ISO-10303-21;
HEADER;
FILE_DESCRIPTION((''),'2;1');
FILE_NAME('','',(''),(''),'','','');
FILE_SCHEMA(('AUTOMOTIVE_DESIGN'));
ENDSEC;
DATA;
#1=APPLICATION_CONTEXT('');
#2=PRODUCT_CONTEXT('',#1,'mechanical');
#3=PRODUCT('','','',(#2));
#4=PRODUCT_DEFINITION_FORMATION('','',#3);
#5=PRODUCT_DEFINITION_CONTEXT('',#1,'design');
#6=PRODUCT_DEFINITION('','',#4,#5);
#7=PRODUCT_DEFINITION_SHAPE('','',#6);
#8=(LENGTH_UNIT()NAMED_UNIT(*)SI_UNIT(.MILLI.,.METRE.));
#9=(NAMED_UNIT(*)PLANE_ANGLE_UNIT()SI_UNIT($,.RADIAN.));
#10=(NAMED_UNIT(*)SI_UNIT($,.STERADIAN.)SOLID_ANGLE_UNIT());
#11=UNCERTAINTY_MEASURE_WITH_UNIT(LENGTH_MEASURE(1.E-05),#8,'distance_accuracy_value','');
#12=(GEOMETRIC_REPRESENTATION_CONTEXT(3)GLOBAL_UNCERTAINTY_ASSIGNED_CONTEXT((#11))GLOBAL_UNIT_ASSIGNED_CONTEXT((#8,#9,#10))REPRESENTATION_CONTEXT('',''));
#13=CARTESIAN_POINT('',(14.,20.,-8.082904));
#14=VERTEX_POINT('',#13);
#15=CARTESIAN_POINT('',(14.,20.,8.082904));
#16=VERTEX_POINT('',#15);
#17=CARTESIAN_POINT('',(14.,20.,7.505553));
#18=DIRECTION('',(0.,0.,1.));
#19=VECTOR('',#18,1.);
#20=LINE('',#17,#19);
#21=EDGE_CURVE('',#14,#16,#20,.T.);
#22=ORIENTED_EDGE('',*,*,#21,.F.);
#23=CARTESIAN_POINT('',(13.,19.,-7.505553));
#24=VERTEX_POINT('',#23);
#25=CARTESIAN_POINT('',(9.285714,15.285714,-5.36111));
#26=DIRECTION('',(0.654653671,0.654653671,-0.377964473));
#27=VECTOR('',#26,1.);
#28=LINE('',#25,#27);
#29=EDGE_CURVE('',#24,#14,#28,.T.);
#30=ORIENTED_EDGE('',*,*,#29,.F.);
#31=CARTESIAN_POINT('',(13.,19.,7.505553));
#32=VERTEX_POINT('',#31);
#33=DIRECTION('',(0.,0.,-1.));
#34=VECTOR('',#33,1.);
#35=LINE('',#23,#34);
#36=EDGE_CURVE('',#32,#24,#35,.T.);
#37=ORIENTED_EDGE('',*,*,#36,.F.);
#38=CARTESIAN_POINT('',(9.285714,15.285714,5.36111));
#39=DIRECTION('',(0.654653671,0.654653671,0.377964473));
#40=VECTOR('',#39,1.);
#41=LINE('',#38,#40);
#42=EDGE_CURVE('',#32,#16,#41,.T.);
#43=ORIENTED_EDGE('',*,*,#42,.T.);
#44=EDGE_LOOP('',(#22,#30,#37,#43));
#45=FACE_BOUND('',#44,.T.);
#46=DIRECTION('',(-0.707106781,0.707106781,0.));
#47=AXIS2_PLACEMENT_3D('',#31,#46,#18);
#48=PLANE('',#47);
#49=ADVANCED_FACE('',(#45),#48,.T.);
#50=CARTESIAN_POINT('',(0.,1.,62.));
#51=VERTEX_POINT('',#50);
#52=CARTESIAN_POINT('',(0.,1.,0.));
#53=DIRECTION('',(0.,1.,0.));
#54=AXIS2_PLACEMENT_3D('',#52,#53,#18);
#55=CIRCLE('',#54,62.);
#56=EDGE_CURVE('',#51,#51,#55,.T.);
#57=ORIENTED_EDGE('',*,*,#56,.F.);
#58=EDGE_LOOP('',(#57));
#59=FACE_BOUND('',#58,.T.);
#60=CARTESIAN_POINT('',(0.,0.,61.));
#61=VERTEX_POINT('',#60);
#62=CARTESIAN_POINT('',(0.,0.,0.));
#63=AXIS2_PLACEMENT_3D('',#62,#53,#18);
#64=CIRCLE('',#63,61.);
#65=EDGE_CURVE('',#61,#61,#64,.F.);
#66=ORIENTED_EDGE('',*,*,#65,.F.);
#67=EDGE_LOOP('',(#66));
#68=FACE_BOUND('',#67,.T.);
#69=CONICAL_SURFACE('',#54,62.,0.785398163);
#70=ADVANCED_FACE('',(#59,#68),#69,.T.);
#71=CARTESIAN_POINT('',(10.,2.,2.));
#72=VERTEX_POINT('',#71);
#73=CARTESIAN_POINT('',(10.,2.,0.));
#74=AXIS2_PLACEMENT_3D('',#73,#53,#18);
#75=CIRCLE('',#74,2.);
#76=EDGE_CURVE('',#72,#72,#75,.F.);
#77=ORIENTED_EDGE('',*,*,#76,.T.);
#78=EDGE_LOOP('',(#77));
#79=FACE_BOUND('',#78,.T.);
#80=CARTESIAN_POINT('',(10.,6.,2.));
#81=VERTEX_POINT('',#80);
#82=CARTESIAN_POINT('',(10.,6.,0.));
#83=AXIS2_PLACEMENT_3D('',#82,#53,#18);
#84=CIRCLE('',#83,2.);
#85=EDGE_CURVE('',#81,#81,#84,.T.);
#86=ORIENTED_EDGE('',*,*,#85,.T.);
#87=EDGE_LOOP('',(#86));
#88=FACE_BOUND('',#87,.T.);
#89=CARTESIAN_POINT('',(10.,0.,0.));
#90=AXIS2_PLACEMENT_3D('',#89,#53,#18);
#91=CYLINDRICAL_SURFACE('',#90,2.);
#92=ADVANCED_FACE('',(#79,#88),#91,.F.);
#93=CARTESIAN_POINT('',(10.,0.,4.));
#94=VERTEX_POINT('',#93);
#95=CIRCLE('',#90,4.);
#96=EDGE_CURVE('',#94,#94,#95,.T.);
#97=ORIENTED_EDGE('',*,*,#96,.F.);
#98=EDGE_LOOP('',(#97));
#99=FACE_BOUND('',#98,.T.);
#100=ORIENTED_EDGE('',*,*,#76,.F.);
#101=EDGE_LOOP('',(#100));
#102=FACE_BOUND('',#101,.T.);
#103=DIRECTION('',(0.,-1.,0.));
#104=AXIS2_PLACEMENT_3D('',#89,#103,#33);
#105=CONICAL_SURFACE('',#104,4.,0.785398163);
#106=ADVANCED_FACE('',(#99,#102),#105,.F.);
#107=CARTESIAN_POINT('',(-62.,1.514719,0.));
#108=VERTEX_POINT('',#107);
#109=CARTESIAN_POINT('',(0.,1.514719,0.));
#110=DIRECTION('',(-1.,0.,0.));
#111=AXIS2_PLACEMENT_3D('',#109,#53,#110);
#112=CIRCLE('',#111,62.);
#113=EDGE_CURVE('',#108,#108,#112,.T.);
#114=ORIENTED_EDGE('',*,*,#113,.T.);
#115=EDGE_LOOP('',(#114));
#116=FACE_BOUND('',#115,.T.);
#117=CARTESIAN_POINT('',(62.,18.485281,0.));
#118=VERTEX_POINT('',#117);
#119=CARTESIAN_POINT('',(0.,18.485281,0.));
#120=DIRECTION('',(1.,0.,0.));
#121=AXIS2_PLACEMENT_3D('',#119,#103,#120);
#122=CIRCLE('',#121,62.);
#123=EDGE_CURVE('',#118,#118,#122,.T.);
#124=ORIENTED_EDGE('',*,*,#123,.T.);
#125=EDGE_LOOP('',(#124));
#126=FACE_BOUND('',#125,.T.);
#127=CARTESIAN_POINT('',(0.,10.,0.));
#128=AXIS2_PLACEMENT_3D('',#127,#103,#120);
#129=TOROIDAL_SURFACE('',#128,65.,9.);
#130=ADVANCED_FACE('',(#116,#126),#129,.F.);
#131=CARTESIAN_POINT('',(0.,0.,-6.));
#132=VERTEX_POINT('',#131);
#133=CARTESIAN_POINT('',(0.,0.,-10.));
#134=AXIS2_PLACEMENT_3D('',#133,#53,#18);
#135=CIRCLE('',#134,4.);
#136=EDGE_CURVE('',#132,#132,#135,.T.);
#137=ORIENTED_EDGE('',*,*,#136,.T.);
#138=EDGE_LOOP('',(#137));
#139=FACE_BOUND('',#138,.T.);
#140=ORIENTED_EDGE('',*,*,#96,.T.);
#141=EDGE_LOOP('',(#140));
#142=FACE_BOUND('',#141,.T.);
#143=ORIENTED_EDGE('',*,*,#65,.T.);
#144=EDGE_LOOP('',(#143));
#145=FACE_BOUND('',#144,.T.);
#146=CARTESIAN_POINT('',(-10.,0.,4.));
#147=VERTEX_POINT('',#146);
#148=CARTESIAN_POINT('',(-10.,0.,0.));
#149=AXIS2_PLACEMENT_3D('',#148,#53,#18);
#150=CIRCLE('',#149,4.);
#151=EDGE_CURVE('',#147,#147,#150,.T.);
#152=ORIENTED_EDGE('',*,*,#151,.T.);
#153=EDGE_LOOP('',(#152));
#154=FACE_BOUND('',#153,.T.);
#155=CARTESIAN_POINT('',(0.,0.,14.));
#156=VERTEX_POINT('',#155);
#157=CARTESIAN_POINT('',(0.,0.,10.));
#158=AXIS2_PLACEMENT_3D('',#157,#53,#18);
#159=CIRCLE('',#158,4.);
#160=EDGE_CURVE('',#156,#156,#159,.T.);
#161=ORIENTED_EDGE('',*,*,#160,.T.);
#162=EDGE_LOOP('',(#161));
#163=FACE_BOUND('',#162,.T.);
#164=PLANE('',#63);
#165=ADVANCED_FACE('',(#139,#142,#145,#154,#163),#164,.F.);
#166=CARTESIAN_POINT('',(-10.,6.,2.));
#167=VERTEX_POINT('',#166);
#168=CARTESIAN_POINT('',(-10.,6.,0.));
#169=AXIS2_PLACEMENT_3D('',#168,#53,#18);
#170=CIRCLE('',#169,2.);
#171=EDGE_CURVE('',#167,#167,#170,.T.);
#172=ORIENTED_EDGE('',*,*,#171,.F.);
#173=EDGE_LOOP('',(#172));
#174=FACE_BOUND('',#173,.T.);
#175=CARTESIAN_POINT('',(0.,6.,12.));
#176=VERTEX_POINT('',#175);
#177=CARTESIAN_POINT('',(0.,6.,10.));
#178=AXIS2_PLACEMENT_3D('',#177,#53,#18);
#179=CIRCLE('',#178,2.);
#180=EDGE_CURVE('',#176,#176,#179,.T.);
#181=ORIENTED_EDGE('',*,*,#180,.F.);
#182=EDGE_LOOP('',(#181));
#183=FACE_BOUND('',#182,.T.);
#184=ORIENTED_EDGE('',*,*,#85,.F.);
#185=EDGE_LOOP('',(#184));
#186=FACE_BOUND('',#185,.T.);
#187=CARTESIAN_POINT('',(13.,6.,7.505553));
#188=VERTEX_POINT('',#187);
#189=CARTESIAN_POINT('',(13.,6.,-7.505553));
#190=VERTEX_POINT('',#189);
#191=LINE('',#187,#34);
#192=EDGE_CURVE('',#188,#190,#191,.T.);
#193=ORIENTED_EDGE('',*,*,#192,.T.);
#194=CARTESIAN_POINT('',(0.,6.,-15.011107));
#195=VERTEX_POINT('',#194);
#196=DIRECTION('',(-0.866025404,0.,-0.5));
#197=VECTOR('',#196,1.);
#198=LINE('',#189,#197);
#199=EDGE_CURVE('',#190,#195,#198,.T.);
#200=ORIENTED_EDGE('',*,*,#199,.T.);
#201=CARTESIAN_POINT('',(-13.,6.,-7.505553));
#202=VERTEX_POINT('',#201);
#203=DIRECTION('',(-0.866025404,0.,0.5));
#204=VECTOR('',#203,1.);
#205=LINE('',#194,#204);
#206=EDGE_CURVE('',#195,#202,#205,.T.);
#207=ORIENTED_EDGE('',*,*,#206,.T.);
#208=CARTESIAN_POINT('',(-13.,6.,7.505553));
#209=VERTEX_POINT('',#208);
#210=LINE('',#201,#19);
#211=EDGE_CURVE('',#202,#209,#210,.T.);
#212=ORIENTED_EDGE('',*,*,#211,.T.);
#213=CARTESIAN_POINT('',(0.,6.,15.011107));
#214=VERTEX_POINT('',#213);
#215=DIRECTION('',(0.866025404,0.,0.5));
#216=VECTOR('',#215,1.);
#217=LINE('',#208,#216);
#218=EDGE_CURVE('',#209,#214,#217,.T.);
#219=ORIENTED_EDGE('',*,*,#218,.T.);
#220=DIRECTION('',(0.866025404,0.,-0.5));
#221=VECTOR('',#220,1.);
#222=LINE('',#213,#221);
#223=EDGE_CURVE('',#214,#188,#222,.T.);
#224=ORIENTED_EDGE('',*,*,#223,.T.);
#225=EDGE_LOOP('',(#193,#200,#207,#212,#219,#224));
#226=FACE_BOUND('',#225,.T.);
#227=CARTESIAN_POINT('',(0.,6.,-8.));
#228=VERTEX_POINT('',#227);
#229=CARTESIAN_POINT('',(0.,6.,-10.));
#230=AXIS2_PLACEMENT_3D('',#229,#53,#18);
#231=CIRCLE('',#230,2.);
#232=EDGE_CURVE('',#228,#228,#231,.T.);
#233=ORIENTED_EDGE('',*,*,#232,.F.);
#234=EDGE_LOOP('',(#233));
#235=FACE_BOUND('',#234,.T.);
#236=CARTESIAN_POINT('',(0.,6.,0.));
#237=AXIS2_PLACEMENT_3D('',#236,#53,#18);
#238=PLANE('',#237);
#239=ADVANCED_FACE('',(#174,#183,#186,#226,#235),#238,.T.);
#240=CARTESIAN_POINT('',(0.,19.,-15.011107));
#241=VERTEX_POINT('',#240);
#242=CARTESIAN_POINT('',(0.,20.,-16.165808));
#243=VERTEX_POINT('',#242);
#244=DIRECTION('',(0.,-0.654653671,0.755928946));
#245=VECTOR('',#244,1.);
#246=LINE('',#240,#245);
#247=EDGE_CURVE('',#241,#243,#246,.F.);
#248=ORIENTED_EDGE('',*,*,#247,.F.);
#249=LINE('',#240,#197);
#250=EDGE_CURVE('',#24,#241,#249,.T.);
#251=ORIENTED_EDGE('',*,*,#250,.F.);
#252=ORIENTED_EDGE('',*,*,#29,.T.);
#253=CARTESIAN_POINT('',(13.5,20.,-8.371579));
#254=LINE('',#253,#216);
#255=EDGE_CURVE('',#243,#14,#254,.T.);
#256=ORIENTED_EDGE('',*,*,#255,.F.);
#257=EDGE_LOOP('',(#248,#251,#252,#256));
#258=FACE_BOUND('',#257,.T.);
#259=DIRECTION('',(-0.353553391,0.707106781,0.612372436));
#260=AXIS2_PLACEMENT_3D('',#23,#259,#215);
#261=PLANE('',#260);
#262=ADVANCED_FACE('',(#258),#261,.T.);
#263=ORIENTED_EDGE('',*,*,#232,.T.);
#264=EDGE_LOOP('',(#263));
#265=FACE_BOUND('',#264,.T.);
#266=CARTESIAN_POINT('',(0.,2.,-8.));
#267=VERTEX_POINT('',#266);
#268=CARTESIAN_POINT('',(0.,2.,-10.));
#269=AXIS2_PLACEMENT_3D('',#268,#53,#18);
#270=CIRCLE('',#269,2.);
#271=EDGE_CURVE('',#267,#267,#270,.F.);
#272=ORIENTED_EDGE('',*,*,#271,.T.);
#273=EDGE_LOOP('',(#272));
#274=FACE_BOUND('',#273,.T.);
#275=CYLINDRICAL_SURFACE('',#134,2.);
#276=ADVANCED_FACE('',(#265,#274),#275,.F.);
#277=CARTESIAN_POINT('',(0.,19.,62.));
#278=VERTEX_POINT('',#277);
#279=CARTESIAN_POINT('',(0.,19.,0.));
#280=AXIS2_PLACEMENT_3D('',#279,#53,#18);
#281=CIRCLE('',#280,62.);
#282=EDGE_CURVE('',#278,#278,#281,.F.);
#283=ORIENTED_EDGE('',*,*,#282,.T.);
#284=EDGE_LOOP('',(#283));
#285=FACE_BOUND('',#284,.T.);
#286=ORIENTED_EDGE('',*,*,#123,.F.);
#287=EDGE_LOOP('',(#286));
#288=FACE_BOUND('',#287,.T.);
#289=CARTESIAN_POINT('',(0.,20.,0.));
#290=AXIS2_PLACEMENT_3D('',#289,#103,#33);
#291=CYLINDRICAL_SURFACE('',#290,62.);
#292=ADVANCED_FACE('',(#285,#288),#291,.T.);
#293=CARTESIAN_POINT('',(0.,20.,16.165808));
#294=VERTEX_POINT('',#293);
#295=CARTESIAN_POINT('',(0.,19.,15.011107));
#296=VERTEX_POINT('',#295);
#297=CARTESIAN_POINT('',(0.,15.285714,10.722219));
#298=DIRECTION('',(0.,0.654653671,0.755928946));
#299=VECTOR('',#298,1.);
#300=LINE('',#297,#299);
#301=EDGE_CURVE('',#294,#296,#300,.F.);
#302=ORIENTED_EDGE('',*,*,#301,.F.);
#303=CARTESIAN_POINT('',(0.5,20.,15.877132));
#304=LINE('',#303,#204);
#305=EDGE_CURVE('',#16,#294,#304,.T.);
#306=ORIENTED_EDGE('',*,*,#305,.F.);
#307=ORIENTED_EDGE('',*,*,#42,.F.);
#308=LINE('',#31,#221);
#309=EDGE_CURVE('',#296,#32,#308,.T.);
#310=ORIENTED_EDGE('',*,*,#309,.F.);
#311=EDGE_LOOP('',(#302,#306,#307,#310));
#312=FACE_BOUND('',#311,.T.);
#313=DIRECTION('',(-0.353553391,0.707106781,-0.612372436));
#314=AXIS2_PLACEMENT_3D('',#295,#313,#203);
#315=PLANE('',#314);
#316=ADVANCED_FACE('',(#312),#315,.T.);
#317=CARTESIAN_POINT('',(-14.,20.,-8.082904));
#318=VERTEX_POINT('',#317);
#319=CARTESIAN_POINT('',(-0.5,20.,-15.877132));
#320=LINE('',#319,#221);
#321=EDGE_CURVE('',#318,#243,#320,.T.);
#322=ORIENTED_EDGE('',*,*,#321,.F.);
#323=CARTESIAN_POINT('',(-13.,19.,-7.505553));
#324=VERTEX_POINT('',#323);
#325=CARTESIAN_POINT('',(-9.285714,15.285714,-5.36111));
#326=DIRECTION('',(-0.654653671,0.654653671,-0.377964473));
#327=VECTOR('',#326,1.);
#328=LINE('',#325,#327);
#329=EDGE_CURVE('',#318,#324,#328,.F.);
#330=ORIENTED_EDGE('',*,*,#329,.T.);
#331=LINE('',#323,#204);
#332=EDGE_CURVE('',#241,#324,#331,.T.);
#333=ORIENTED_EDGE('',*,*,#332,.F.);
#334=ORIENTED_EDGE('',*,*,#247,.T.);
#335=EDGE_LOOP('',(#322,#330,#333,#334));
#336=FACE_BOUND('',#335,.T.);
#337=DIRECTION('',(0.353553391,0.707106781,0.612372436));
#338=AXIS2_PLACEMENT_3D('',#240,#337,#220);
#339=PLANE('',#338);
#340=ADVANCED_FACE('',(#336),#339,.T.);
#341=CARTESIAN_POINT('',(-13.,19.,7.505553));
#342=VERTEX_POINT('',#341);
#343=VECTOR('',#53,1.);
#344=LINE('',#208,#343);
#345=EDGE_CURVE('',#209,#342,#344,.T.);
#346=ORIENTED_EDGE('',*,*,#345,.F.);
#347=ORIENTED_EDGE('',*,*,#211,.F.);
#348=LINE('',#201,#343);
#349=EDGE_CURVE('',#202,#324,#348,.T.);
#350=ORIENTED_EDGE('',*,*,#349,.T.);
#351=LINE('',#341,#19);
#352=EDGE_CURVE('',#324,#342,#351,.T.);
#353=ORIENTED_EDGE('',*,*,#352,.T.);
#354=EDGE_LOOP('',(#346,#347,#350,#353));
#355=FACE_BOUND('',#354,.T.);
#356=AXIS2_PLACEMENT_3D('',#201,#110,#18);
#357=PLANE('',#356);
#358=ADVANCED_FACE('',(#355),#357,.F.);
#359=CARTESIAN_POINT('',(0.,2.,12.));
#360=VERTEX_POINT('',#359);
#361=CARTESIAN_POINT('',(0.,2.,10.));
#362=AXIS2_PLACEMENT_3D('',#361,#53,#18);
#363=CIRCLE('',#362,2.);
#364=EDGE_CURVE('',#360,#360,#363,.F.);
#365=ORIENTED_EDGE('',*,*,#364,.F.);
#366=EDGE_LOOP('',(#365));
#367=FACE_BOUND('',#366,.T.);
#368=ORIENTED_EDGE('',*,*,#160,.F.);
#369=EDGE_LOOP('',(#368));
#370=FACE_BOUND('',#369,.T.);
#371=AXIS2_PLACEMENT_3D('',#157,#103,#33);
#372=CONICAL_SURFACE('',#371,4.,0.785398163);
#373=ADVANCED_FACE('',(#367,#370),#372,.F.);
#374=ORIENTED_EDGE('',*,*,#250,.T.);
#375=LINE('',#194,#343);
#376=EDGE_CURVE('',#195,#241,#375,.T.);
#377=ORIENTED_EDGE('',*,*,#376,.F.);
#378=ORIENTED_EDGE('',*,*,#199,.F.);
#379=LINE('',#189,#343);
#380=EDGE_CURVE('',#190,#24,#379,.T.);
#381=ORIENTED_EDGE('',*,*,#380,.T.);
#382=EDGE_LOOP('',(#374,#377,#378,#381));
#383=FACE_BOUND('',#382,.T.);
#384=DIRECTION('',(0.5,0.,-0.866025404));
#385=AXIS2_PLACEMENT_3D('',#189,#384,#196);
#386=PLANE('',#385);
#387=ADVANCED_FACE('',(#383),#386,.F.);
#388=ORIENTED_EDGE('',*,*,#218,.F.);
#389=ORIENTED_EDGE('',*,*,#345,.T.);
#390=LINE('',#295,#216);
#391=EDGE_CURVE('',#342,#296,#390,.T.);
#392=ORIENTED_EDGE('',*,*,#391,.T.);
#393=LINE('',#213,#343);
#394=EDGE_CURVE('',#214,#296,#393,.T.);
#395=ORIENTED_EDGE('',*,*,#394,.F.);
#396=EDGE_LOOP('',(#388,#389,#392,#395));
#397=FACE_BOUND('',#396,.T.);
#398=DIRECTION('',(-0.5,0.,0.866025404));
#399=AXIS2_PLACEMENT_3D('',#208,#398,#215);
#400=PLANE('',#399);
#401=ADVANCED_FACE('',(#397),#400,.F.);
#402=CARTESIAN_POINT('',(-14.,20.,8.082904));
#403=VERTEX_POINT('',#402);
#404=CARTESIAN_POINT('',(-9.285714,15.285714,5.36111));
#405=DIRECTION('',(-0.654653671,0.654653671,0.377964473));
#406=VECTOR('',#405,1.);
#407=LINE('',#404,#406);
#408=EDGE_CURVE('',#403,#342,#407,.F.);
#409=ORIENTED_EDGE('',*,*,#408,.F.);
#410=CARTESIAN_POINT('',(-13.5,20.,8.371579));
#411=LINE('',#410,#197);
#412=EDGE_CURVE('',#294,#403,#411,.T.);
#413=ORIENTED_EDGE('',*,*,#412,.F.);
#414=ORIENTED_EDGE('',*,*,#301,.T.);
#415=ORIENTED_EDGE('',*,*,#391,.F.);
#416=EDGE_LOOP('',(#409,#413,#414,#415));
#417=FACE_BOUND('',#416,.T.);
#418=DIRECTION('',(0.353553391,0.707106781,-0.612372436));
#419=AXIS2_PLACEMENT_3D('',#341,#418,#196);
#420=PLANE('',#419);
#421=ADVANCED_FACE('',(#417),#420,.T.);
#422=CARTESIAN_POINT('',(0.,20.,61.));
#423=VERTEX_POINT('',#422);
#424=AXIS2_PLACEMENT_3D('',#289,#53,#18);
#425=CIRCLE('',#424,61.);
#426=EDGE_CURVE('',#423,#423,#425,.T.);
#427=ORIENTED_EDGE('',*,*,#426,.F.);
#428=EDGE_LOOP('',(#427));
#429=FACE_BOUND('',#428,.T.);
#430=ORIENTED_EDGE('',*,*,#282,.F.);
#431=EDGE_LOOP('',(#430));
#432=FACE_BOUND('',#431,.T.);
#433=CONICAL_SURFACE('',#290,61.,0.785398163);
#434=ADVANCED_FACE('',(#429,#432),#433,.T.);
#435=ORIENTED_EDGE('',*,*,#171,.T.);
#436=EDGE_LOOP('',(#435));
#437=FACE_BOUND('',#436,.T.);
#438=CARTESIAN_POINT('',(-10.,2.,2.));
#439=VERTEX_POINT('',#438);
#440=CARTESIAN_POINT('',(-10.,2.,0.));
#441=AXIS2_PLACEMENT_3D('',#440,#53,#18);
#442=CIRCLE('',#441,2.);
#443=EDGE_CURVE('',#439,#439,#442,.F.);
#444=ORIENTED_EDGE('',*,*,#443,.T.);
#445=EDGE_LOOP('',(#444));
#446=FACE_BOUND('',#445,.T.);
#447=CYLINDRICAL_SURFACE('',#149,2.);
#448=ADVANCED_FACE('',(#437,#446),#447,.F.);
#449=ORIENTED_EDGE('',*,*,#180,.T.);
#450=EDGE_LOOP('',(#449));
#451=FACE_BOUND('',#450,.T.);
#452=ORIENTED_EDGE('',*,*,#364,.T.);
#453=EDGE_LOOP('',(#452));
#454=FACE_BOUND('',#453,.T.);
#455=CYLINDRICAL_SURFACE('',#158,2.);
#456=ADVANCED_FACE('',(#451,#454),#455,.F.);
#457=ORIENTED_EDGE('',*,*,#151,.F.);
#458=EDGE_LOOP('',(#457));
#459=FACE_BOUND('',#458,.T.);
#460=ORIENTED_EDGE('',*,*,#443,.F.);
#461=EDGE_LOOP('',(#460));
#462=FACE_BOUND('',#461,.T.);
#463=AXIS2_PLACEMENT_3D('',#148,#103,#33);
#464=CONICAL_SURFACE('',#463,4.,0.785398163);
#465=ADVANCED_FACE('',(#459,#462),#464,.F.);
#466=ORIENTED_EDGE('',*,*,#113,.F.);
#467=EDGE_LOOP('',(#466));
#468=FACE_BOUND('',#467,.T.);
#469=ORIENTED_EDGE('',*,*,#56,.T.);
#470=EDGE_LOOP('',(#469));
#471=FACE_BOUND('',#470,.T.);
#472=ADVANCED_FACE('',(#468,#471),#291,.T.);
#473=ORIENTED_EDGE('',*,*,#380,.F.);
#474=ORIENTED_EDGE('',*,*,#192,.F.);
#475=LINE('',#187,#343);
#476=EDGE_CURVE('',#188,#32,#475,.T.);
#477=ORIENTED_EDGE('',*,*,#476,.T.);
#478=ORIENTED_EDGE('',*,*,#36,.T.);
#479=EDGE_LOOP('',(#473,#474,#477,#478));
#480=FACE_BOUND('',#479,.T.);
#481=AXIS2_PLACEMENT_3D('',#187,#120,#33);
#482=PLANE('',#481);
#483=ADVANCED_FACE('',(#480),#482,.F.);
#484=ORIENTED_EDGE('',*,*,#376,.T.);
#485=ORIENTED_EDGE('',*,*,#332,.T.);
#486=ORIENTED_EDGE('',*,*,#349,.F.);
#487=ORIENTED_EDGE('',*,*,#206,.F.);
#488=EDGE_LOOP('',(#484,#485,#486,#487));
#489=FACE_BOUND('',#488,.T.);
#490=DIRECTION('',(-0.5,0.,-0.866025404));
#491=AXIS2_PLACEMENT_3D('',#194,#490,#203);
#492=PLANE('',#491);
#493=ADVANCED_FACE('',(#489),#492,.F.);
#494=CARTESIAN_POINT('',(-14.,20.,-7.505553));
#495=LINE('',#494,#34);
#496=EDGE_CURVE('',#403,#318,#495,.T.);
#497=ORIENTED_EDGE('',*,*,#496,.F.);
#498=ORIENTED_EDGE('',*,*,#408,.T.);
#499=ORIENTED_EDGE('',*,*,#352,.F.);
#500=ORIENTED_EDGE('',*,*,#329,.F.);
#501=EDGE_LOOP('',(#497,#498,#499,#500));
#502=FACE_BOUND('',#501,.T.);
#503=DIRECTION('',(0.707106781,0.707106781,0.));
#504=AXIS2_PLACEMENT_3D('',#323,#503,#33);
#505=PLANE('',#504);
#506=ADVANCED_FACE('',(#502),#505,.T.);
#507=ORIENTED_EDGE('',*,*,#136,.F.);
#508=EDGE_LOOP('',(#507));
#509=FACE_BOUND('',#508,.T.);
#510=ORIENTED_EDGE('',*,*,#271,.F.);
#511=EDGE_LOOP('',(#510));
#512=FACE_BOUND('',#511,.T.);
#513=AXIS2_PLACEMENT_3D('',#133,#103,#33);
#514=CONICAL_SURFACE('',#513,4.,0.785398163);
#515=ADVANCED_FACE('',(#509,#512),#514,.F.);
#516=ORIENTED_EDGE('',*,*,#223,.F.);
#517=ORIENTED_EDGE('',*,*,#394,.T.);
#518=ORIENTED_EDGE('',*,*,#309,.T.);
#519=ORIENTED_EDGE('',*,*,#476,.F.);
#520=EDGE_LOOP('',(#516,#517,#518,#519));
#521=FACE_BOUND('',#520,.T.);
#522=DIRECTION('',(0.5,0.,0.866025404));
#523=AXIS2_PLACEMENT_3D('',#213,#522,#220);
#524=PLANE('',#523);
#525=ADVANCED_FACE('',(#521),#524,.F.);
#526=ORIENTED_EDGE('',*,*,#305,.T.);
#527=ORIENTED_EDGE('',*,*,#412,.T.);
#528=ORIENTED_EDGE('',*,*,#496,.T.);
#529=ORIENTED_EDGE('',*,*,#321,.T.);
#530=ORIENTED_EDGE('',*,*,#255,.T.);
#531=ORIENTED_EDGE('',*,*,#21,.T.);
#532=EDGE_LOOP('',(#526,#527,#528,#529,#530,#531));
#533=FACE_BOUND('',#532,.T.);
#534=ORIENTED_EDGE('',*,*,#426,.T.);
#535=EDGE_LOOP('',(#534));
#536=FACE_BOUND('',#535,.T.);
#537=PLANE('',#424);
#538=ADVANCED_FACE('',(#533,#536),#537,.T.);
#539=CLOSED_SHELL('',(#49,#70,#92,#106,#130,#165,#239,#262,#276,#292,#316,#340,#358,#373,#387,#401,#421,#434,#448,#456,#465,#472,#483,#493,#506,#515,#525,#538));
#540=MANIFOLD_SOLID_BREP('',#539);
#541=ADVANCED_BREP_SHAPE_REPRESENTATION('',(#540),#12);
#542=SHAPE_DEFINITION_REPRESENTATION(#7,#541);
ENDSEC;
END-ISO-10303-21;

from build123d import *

# Parameters (mm, degrees)
SKETCH_1_R          = 62
EXTRUDE_1_DEPTH     = 20
SKETCH_3_R          = 9
CHAMFER_3_SIZE      = 1
CUT_EXTRUDE_2_DEPTH = 14
SKETCH_6_R          = 2
CUT_EXTRUDE_3_DEPTH = 90.933308624
CHAMFER_2_SIZE      = 1
CHAMFER_4_SIZE      = 2


with BuildPart() as part:
    # Эскиз1 → Бобышка-Вытянуть1 (new body)
    with BuildSketch(Plane(origin=(0, 0, 0), x_dir=(1, 0, 0), z_dir=(0, 1, 0))):
        with Locations(Location((0, 0, 0), (0, 0, 270))):
            Circle(SKETCH_1_R)
    extrude(amount=EXTRUDE_1_DEPTH)

    # Эскиз3 → Вырез-Повернуть2 (revolve, cut)
    with BuildSketch(Plane.XY, mode=Mode.PRIVATE) as cut_revolve_2_sk:
        with Locations((-65, 10)):
            Circle(SKETCH_3_R)
    revolve(cut_revolve_2_sk.sketch.rotate(Axis((0, 0, 0), (0, 1, 0)), 180), axis=Axis((0, 0, 0), (0, 1, 0)), mode=Mode.SUBTRACT)

    # Фаска3
    chamfer_3_edges = [part.edges().sort_by_distance(p)[0] for p in [
        (0, 0, -62),
    ]]
    chamfer(chamfer_3_edges, length=CHAMFER_3_SIZE)

    # Эскиз5 → Вырез-Вытянуть2 (cut)
    with BuildSketch(Plane(origin=(0, 20, 0), x_dir=(1, 0, 0), z_dir=(0, 1, 0))):
        Polygon((0, 15.011106999), (-13, 7.505553499), (-13, -7.505553499), (0, -15.011106999), (13, -7.505553499), (13, 7.505553499), align=None)
    extrude(amount=-CUT_EXTRUDE_2_DEPTH, mode=Mode.SUBTRACT)

    # Эскиз6 → Вырез-Вытянуть3 (cut, through all)
    with BuildSketch(Plane(origin=(0, 20, 0), x_dir=(1, 0, 0), z_dir=(0, 1, 0))):
        with Locations(Location((0, 10, 0), (0, 0, 270))):
            Circle(SKETCH_6_R)
        with Locations(Location((10, 0, 0), (0, 0, 270))):
            Circle(SKETCH_6_R)
        with Locations(Location((0, -10, 0), (0, 0, 270))):
            Circle(SKETCH_6_R)
        with Locations(Location((-10, 0, 0), (0, 0, 270))):
            Circle(SKETCH_6_R)
    extrude(amount=-CUT_EXTRUDE_3_DEPTH, mode=Mode.SUBTRACT)

    # Фаска2
    chamfer_2_edges = [part.edges().sort_by_distance(p)[0] for p in [
        (6.5, 20, -11.258330249),
        (-6.5, 20, -11.258330249),
        (-13, 20, 0),
        (-6.5, 20, 11.258330249),
        (6.5, 20, 11.258330249),
        (13, 20, 0),
        (0, 20, -62),
    ]]
    chamfer(chamfer_2_edges, length=CHAMFER_2_SIZE)

    # Фаска4
    chamfer_4_edges = [part.edges().sort_by_distance(p)[0] for p in [
        (0, 0, -12),
        (10, 0, -2),
        (0, 0, 8),
        (-10, 0, -2),
    ]]
    chamfer(chamfer_4_edges, length=CHAMFER_4_SIZE)


solid = part.part
